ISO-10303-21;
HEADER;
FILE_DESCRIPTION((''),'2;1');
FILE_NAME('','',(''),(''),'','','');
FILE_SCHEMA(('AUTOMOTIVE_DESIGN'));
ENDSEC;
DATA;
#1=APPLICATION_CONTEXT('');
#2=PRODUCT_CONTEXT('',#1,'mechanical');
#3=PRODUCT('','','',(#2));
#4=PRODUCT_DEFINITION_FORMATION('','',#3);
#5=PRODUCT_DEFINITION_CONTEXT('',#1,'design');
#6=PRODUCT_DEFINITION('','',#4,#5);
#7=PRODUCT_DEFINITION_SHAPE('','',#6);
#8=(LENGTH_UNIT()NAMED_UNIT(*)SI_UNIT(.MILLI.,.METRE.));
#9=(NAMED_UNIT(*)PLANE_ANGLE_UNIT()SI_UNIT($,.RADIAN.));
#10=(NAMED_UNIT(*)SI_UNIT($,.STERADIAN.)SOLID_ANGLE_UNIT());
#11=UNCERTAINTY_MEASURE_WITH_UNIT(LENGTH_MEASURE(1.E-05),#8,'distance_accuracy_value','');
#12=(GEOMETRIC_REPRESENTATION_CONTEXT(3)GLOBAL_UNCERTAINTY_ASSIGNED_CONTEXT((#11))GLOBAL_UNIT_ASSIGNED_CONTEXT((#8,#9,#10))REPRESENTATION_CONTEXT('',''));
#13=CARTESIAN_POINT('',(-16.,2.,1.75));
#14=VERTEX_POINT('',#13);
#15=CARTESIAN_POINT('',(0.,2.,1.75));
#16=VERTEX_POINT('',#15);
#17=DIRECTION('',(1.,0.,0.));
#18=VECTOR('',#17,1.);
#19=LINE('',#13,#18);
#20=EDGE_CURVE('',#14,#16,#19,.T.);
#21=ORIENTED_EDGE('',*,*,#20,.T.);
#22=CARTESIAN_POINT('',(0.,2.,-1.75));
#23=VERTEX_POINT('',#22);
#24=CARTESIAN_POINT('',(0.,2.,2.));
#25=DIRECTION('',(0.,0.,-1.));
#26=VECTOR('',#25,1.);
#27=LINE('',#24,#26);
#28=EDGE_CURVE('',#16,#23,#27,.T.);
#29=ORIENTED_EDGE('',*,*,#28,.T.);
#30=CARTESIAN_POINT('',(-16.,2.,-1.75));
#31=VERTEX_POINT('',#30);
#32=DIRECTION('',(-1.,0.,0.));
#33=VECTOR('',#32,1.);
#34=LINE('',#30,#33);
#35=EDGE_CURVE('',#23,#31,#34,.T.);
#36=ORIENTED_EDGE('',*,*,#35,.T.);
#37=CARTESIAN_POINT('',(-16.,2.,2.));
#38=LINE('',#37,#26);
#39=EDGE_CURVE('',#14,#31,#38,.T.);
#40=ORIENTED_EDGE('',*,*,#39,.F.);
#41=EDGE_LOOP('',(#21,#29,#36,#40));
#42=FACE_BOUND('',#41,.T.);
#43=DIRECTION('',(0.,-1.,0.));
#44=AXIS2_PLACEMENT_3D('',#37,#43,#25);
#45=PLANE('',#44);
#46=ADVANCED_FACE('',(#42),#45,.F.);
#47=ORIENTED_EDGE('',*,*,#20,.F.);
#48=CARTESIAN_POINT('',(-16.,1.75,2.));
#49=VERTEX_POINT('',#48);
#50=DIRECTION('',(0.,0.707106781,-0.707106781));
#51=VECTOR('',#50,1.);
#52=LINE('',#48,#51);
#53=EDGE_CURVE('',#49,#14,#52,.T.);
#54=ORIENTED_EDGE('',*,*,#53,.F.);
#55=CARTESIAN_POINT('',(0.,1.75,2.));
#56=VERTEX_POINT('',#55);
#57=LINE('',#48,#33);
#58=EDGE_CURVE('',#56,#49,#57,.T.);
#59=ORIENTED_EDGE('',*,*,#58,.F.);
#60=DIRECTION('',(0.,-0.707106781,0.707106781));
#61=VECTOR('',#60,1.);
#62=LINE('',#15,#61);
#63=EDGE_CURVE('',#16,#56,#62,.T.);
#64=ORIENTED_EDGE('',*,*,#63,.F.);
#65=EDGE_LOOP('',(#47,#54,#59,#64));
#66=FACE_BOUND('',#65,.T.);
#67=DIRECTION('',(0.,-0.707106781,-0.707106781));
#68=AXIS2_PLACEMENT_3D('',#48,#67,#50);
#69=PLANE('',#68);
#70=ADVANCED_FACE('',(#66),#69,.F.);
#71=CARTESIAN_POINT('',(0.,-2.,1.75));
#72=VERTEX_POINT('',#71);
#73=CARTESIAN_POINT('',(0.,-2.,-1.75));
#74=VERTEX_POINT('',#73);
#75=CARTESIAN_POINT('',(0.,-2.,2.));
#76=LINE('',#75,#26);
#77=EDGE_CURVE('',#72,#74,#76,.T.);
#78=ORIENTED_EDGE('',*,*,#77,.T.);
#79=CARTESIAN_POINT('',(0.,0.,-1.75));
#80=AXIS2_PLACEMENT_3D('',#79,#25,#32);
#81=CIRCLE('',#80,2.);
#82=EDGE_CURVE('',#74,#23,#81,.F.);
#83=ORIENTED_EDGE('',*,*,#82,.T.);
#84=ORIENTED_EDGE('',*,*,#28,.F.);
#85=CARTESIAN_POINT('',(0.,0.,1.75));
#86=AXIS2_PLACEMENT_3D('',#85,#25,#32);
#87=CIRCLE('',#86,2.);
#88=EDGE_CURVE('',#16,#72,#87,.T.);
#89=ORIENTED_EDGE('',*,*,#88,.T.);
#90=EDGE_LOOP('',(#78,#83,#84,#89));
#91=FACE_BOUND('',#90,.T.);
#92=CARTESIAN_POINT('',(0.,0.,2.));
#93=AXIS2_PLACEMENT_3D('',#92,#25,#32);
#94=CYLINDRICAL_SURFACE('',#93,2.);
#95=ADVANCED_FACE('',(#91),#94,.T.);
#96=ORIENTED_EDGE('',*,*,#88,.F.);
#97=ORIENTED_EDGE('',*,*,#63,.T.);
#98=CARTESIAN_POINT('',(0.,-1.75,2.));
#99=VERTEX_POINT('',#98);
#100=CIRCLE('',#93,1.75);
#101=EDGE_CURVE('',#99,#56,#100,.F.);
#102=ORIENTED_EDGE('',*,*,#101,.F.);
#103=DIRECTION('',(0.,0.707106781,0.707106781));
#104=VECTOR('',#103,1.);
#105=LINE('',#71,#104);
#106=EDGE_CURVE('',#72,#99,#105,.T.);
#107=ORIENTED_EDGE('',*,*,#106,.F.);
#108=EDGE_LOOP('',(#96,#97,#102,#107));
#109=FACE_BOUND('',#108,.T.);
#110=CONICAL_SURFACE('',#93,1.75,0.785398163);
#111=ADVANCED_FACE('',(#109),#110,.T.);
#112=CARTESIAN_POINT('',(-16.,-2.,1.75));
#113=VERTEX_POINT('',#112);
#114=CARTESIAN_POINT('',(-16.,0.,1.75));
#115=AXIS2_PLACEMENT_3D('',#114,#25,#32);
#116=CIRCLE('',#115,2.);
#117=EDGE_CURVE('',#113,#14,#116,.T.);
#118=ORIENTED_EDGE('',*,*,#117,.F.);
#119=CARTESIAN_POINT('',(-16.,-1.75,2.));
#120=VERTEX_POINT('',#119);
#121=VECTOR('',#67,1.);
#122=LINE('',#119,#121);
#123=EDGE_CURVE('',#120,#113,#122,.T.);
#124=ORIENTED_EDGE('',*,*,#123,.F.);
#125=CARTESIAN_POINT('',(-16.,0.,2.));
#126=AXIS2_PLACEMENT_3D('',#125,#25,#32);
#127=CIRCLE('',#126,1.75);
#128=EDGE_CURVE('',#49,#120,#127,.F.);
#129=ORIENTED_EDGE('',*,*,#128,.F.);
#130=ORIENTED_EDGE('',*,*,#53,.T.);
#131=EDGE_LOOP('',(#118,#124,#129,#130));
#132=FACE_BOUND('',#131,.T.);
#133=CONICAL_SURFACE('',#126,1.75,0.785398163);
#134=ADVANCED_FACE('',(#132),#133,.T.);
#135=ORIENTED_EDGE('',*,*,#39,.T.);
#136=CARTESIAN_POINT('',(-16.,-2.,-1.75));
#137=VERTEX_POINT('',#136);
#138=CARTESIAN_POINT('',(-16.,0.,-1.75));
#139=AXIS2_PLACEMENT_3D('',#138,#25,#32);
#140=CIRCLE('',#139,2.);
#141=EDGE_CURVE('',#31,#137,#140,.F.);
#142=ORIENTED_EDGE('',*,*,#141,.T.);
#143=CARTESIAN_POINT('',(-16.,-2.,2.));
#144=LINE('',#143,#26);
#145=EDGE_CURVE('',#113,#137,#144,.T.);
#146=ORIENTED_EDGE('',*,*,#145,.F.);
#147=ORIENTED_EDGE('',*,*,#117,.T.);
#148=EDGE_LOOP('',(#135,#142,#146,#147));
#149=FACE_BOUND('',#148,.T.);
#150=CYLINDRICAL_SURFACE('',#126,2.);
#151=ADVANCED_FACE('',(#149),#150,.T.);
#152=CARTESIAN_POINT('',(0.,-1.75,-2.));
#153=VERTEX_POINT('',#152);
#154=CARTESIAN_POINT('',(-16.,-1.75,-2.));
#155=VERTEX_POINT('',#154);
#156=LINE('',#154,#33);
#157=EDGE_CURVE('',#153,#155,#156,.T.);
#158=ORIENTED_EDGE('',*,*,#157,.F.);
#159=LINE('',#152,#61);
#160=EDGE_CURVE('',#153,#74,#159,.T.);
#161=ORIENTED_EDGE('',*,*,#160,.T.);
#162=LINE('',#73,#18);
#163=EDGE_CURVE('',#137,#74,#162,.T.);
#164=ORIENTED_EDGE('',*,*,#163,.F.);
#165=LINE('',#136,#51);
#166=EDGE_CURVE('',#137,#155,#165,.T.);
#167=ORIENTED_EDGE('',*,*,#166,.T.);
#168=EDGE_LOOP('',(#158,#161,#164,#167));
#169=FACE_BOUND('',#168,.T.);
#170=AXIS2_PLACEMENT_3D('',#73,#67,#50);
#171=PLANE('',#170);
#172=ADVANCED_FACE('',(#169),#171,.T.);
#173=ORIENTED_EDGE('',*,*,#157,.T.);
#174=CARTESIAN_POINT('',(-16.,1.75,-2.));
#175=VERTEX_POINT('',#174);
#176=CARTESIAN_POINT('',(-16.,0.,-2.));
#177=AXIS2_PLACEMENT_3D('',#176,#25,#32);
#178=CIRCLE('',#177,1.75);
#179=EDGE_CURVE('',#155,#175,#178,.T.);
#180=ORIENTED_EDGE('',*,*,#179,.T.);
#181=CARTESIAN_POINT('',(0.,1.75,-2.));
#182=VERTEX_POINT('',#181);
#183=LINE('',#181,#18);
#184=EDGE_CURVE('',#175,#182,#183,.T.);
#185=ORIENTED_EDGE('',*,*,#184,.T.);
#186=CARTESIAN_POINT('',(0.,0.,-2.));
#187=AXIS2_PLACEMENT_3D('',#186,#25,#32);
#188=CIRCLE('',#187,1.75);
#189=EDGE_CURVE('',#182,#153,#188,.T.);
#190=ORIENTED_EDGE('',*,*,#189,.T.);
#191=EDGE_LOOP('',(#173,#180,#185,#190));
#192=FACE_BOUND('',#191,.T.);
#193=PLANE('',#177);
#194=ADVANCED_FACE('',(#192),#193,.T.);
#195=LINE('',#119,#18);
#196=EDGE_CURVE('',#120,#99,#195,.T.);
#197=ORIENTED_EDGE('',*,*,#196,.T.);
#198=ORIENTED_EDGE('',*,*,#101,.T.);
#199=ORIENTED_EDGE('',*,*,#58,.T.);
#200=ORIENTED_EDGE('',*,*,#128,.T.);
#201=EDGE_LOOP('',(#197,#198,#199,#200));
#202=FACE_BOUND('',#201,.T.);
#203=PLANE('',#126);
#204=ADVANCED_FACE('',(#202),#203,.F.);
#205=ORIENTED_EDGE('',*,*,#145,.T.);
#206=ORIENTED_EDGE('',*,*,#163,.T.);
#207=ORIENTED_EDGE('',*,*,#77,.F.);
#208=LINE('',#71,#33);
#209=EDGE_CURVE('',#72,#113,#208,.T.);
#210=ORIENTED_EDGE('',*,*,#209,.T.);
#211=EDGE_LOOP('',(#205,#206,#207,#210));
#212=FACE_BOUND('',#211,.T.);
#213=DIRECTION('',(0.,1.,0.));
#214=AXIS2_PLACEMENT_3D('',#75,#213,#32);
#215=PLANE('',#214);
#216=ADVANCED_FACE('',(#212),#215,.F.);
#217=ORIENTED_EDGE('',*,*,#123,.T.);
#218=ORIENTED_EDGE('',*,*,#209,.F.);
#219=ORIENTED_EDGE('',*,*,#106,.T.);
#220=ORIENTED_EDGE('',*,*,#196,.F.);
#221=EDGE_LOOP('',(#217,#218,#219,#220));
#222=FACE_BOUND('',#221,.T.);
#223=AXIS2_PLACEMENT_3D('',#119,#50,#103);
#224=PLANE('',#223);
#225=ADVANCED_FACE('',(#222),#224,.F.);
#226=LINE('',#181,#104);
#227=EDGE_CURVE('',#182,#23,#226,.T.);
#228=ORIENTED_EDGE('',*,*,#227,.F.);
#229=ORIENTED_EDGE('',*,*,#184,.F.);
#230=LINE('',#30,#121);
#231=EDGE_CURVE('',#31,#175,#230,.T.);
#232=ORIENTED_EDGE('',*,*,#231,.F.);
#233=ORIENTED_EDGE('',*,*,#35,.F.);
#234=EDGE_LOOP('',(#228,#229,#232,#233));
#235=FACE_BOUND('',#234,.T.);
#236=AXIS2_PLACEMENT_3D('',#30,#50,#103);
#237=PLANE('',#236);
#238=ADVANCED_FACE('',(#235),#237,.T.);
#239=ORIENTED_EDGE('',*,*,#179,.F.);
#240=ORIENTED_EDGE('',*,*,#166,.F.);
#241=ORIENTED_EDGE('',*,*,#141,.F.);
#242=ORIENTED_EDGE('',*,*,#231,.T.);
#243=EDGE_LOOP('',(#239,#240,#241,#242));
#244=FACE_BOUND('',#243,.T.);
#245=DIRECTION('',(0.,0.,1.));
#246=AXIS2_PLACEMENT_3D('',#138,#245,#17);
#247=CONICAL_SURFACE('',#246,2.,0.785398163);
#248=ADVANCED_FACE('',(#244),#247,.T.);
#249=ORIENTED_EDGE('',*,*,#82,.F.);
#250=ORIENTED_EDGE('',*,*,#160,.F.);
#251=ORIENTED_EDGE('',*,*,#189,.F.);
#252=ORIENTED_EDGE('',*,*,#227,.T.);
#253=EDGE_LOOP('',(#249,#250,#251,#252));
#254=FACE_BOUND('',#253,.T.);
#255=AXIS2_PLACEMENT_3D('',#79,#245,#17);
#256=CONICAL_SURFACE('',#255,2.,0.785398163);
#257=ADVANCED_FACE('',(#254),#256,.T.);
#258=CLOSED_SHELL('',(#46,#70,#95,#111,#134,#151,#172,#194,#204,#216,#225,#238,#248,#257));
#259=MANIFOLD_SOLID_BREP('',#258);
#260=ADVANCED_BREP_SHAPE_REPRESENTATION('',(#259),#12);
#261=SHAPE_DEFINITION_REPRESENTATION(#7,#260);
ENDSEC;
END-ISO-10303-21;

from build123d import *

# Parameters (mm, degrees)
BASEKEY_DEPTH = 2
CHAMFER1_SIZE = 0.25


with BuildPart() as part:
    # Sketch1 → BaseKey (new, symmetric)
    with BuildSketch(Plane.XY):
        with BuildLine():
            Line((-16, 2), (0, 2))
            ThreePointArc((0, 2), (2, 0), (0, -2))
            Line((0, -2), (-16, -2))
            ThreePointArc((-16, -2), (-18, 0), (-16, 2))
        make_face()
    extrude(amount=BASEKEY_DEPTH, both=True)

    # Chamfer1
    chamfer1_edges = [part.edges().sort_by_distance(p)[0] for p in [
        (2, 0, 2),
        (-8, 2, 2),
        (-18, 0, 2),
        (-8, 2, -2),
        (2, 0, -2),
        (-8, -2, -2),
        (-18, 0, -2),
        (-8, -2, 2),
    ]]
    chamfer(chamfer1_edges, length=CHAMFER1_SIZE)


solid = part.part
